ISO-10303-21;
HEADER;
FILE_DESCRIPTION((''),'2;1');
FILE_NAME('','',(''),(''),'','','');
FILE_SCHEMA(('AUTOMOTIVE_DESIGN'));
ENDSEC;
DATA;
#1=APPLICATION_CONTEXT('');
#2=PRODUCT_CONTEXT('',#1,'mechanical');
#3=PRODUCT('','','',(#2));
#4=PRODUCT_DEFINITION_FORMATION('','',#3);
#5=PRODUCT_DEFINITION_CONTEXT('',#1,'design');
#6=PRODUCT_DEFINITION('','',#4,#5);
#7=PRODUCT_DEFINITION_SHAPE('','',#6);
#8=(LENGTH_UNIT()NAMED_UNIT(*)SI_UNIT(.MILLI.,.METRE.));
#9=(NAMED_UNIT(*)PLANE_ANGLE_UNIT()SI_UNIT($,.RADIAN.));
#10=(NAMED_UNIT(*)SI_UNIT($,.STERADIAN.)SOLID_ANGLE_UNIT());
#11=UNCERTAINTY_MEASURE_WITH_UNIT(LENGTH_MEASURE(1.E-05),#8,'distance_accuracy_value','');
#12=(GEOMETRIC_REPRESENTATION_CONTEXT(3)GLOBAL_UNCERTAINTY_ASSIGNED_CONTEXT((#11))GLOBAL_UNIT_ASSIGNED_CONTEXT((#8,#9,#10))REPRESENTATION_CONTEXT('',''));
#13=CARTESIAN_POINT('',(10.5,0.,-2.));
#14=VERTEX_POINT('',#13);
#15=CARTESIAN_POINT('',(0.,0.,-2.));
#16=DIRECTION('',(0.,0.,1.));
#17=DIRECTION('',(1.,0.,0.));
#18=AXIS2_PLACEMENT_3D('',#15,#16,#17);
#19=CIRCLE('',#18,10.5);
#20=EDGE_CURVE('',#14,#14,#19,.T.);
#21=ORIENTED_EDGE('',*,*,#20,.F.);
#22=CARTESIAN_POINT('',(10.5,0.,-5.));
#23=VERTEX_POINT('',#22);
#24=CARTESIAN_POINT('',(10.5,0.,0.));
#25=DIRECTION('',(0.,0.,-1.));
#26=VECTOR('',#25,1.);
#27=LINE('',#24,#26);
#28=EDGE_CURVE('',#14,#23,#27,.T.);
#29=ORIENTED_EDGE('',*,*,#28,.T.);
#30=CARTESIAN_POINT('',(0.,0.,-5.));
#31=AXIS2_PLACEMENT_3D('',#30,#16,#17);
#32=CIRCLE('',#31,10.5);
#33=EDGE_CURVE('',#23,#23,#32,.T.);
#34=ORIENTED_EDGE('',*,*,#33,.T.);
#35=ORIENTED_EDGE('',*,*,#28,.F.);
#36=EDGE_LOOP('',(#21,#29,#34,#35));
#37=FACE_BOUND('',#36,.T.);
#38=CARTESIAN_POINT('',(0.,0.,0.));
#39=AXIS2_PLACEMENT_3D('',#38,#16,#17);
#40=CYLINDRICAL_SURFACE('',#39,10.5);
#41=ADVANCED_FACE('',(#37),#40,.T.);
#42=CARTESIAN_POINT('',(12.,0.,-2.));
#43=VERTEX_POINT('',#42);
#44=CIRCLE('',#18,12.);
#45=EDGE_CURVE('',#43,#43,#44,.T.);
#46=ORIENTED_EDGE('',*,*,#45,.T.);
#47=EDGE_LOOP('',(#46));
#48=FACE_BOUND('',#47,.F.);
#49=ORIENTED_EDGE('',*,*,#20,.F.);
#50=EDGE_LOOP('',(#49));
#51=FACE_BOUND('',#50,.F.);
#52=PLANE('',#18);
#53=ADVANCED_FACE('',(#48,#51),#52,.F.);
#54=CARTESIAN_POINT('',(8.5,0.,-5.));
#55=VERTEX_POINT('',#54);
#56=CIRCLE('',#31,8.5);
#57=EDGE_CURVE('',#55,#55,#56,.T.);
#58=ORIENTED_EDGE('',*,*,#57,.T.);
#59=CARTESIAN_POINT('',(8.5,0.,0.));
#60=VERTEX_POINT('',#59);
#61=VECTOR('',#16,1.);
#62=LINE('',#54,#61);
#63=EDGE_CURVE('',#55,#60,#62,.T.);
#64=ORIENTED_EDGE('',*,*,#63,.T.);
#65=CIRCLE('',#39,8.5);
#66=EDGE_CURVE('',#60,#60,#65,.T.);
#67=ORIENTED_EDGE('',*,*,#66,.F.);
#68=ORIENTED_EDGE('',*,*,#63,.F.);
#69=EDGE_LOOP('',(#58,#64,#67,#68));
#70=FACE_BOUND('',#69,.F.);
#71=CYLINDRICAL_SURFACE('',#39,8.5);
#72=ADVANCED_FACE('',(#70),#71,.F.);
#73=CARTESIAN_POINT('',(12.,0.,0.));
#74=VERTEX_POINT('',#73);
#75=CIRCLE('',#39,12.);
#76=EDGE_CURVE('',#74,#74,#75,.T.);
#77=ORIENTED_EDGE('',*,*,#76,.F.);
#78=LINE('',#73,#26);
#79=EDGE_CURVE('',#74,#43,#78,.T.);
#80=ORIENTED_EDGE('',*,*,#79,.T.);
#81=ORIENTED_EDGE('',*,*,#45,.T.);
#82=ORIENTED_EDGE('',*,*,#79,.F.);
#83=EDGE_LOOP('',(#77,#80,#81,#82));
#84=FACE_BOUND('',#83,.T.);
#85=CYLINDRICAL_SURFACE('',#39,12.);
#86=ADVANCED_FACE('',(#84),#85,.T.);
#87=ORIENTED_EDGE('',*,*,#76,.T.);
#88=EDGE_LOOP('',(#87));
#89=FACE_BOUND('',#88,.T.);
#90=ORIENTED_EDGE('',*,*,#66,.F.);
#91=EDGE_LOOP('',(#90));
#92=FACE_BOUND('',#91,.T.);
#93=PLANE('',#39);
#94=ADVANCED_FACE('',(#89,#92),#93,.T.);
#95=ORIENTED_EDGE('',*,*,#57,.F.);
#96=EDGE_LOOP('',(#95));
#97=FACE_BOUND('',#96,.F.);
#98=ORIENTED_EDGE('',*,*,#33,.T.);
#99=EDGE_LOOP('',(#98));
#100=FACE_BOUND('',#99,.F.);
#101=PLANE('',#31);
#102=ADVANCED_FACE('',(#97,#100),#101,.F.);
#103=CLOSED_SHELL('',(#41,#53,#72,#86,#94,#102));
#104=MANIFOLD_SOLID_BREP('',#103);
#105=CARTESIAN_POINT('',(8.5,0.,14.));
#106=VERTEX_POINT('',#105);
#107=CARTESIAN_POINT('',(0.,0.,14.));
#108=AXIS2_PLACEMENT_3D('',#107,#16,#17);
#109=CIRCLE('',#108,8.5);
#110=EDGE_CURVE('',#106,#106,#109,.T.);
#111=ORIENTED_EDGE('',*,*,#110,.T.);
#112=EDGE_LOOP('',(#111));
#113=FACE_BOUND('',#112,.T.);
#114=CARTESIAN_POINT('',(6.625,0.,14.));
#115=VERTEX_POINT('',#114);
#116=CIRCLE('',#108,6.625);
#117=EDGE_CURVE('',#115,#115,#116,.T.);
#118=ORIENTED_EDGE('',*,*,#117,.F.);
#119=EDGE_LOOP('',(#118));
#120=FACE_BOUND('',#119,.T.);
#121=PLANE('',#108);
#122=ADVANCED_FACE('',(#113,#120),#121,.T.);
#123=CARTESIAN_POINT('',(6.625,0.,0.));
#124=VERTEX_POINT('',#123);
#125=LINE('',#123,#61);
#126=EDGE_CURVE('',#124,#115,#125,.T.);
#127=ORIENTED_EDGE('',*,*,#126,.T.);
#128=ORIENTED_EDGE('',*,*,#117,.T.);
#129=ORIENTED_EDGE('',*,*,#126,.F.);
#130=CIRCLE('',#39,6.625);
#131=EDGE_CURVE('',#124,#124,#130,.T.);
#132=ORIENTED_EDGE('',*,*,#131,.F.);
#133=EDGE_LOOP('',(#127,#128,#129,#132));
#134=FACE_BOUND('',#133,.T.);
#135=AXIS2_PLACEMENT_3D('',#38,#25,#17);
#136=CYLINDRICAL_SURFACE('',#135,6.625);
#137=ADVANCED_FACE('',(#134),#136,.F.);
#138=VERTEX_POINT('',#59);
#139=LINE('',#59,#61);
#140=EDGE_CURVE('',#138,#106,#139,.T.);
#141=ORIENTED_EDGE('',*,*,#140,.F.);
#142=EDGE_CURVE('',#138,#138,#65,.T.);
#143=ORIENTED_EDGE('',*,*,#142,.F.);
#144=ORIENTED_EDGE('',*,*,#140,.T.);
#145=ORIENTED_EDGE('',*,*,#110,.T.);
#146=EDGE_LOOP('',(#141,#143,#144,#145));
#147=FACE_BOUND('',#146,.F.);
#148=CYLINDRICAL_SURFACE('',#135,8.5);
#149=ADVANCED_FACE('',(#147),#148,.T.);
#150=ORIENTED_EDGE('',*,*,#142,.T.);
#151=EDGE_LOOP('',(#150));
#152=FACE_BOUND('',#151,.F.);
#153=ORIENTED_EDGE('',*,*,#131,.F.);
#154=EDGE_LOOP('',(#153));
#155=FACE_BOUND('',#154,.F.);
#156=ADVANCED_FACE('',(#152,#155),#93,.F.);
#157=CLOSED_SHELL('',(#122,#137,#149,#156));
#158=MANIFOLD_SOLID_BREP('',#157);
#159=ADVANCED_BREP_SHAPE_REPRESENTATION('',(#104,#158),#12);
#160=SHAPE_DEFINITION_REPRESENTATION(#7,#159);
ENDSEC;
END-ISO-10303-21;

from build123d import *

# Parameters (mm, degrees)
F0_R     = 8.5
F0_R_2   = 6.625
F1_DEPTH = 14
F0_R_3   = 12
F0_R_4   = 10.5
F2_DEPTH = 2
F3_DEPTH = 5


with BuildPart() as f1:
    # F0 (on Top) → F1 (new body)
    with BuildSketch(Plane.XY):
        Circle(F0_R)
        Circle(F0_R_2, mode=Mode.SUBTRACT)
    extrude(amount=F1_DEPTH)



with BuildPart() as f2:
    # F0 (on Top) → F2 (new body)
    with BuildSketch(Plane.XY):
        Circle(F0_R_3)
        Circle(F0_R_4, mode=Mode.SUBTRACT)
        Circle(F0_R_4)
        Circle(F0_R, mode=Mode.SUBTRACT)
    extrude(amount=-F2_DEPTH)


with BuildPart() as f1_1:
    add(f1.part)

    add(f2.part)  # F3 merges F2
    # F0 (on Top) → F3 (join)
    with BuildSketch(Plane.XY):
        Circle(F0_R_4)
        Circle(F0_R, mode=Mode.SUBTRACT)
    extrude(amount=-F3_DEPTH)


solid = f1_1.part
